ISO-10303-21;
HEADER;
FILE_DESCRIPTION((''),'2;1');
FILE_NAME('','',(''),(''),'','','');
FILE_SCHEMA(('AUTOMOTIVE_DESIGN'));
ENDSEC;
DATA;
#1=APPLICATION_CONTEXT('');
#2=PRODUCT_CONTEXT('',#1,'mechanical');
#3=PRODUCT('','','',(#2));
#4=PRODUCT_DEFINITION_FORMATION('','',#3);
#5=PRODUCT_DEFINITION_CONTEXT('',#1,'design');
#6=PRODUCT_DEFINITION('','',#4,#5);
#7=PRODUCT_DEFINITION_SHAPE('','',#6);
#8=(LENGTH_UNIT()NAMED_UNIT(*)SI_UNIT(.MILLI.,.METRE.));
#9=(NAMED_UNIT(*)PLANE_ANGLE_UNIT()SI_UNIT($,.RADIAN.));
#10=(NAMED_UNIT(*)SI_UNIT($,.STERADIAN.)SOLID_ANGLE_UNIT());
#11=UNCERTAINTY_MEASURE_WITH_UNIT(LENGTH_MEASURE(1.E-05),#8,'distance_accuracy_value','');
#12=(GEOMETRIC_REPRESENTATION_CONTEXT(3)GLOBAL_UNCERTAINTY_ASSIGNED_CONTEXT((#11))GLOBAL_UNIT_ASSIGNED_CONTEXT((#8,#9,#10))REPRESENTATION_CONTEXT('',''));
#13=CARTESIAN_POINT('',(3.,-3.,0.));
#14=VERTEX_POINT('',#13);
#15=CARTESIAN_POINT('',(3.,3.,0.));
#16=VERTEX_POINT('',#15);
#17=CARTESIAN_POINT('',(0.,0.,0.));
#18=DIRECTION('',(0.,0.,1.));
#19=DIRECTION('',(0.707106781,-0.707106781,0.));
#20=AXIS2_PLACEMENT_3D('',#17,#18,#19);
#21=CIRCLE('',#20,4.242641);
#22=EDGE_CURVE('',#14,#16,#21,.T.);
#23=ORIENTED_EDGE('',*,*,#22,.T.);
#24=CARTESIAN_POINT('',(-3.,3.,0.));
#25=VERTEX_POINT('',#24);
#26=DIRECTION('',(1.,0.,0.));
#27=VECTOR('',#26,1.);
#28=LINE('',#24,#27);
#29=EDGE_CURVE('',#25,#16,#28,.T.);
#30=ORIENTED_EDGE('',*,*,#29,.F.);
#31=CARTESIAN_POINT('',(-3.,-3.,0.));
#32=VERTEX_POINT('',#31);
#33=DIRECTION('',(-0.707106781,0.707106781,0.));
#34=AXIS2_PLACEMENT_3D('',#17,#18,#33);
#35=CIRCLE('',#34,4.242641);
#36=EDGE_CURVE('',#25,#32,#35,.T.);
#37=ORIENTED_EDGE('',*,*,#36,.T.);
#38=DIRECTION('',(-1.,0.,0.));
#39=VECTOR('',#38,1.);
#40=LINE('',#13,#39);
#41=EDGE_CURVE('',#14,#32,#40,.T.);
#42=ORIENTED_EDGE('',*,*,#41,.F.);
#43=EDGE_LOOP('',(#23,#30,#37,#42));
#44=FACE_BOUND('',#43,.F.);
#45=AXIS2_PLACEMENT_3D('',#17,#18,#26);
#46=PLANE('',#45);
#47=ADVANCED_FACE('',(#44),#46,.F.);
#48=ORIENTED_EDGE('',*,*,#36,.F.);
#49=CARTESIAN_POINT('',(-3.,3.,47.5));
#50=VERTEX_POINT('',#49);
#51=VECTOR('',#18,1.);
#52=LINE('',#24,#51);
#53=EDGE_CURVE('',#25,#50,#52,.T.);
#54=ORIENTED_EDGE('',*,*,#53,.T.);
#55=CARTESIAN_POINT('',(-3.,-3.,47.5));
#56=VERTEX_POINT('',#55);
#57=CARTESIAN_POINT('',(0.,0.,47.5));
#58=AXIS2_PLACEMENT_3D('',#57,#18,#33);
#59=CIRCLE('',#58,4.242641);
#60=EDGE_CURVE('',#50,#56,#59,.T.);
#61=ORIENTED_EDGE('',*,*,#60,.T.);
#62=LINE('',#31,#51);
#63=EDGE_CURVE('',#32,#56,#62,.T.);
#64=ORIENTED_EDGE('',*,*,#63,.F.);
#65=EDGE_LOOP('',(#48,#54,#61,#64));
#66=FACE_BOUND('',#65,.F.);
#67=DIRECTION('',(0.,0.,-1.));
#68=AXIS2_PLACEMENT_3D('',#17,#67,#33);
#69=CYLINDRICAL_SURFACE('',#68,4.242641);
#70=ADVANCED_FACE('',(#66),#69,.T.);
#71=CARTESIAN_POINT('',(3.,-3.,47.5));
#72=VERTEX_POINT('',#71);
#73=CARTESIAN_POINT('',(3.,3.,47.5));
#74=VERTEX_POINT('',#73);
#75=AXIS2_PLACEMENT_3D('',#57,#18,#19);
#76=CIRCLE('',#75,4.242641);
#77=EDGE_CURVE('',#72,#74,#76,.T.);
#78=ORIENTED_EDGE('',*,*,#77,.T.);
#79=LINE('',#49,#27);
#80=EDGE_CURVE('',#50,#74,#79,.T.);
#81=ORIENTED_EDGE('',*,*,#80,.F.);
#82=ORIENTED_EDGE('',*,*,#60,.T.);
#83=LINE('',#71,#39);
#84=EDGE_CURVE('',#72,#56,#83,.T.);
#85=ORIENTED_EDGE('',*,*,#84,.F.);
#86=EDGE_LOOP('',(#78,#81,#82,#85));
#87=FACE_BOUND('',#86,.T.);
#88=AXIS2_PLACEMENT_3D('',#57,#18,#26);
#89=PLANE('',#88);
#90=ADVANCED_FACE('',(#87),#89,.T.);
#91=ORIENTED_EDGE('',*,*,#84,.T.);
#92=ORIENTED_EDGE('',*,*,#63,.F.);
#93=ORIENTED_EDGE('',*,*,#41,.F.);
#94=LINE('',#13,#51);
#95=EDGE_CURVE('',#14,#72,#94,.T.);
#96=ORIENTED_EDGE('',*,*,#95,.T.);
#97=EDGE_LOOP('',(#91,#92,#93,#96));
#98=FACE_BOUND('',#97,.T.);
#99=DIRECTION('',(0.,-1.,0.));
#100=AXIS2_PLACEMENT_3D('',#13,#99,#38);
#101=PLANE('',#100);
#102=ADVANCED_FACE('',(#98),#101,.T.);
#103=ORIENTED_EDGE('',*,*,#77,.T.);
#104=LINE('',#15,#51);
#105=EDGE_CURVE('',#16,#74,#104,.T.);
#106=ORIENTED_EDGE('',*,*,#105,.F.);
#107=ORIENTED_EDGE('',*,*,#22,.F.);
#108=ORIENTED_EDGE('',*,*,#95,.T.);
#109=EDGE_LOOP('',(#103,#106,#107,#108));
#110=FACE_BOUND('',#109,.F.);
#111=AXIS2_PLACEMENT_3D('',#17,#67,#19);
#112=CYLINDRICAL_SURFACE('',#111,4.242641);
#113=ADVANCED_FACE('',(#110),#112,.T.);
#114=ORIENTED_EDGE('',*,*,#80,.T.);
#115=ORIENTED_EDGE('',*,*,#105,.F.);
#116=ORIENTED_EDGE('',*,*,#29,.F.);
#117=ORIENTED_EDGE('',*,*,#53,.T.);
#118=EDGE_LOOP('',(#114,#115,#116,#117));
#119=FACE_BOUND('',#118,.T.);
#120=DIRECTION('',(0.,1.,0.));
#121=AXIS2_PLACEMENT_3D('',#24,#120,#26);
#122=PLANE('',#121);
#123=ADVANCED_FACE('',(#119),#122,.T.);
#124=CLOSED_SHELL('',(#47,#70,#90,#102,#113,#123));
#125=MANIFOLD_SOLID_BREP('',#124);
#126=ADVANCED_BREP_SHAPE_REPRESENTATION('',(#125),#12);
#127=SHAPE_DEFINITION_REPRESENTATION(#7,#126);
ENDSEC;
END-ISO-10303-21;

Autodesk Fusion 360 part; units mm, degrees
sketch "Sketch1" plane through (0, 0, 0) normal (0, 0, 1) x (1, 0, 0)
  line L0 (-3, 3) -> (3, 3)
  line L1 (3, -3) -> (-3, -3)
  line L2 (-3, 3) -> (3, -3) construction
  line L3 (3, 3) -> (-3, -3) construction
  arc A0 (-3, 3) -> (-3, -3) centre (0, 0) ccw
  arc A1 (3, -3) -> (3, 3) centre (0, 0) ccw
  dimension "d1" = 6
  dimension "d2" = 6
extrude "Extrude1" add sketch "Sketch1" along normal blind 47.5
equation "d3 = 35.4 mm + 8 mm + 4.1 mm"
